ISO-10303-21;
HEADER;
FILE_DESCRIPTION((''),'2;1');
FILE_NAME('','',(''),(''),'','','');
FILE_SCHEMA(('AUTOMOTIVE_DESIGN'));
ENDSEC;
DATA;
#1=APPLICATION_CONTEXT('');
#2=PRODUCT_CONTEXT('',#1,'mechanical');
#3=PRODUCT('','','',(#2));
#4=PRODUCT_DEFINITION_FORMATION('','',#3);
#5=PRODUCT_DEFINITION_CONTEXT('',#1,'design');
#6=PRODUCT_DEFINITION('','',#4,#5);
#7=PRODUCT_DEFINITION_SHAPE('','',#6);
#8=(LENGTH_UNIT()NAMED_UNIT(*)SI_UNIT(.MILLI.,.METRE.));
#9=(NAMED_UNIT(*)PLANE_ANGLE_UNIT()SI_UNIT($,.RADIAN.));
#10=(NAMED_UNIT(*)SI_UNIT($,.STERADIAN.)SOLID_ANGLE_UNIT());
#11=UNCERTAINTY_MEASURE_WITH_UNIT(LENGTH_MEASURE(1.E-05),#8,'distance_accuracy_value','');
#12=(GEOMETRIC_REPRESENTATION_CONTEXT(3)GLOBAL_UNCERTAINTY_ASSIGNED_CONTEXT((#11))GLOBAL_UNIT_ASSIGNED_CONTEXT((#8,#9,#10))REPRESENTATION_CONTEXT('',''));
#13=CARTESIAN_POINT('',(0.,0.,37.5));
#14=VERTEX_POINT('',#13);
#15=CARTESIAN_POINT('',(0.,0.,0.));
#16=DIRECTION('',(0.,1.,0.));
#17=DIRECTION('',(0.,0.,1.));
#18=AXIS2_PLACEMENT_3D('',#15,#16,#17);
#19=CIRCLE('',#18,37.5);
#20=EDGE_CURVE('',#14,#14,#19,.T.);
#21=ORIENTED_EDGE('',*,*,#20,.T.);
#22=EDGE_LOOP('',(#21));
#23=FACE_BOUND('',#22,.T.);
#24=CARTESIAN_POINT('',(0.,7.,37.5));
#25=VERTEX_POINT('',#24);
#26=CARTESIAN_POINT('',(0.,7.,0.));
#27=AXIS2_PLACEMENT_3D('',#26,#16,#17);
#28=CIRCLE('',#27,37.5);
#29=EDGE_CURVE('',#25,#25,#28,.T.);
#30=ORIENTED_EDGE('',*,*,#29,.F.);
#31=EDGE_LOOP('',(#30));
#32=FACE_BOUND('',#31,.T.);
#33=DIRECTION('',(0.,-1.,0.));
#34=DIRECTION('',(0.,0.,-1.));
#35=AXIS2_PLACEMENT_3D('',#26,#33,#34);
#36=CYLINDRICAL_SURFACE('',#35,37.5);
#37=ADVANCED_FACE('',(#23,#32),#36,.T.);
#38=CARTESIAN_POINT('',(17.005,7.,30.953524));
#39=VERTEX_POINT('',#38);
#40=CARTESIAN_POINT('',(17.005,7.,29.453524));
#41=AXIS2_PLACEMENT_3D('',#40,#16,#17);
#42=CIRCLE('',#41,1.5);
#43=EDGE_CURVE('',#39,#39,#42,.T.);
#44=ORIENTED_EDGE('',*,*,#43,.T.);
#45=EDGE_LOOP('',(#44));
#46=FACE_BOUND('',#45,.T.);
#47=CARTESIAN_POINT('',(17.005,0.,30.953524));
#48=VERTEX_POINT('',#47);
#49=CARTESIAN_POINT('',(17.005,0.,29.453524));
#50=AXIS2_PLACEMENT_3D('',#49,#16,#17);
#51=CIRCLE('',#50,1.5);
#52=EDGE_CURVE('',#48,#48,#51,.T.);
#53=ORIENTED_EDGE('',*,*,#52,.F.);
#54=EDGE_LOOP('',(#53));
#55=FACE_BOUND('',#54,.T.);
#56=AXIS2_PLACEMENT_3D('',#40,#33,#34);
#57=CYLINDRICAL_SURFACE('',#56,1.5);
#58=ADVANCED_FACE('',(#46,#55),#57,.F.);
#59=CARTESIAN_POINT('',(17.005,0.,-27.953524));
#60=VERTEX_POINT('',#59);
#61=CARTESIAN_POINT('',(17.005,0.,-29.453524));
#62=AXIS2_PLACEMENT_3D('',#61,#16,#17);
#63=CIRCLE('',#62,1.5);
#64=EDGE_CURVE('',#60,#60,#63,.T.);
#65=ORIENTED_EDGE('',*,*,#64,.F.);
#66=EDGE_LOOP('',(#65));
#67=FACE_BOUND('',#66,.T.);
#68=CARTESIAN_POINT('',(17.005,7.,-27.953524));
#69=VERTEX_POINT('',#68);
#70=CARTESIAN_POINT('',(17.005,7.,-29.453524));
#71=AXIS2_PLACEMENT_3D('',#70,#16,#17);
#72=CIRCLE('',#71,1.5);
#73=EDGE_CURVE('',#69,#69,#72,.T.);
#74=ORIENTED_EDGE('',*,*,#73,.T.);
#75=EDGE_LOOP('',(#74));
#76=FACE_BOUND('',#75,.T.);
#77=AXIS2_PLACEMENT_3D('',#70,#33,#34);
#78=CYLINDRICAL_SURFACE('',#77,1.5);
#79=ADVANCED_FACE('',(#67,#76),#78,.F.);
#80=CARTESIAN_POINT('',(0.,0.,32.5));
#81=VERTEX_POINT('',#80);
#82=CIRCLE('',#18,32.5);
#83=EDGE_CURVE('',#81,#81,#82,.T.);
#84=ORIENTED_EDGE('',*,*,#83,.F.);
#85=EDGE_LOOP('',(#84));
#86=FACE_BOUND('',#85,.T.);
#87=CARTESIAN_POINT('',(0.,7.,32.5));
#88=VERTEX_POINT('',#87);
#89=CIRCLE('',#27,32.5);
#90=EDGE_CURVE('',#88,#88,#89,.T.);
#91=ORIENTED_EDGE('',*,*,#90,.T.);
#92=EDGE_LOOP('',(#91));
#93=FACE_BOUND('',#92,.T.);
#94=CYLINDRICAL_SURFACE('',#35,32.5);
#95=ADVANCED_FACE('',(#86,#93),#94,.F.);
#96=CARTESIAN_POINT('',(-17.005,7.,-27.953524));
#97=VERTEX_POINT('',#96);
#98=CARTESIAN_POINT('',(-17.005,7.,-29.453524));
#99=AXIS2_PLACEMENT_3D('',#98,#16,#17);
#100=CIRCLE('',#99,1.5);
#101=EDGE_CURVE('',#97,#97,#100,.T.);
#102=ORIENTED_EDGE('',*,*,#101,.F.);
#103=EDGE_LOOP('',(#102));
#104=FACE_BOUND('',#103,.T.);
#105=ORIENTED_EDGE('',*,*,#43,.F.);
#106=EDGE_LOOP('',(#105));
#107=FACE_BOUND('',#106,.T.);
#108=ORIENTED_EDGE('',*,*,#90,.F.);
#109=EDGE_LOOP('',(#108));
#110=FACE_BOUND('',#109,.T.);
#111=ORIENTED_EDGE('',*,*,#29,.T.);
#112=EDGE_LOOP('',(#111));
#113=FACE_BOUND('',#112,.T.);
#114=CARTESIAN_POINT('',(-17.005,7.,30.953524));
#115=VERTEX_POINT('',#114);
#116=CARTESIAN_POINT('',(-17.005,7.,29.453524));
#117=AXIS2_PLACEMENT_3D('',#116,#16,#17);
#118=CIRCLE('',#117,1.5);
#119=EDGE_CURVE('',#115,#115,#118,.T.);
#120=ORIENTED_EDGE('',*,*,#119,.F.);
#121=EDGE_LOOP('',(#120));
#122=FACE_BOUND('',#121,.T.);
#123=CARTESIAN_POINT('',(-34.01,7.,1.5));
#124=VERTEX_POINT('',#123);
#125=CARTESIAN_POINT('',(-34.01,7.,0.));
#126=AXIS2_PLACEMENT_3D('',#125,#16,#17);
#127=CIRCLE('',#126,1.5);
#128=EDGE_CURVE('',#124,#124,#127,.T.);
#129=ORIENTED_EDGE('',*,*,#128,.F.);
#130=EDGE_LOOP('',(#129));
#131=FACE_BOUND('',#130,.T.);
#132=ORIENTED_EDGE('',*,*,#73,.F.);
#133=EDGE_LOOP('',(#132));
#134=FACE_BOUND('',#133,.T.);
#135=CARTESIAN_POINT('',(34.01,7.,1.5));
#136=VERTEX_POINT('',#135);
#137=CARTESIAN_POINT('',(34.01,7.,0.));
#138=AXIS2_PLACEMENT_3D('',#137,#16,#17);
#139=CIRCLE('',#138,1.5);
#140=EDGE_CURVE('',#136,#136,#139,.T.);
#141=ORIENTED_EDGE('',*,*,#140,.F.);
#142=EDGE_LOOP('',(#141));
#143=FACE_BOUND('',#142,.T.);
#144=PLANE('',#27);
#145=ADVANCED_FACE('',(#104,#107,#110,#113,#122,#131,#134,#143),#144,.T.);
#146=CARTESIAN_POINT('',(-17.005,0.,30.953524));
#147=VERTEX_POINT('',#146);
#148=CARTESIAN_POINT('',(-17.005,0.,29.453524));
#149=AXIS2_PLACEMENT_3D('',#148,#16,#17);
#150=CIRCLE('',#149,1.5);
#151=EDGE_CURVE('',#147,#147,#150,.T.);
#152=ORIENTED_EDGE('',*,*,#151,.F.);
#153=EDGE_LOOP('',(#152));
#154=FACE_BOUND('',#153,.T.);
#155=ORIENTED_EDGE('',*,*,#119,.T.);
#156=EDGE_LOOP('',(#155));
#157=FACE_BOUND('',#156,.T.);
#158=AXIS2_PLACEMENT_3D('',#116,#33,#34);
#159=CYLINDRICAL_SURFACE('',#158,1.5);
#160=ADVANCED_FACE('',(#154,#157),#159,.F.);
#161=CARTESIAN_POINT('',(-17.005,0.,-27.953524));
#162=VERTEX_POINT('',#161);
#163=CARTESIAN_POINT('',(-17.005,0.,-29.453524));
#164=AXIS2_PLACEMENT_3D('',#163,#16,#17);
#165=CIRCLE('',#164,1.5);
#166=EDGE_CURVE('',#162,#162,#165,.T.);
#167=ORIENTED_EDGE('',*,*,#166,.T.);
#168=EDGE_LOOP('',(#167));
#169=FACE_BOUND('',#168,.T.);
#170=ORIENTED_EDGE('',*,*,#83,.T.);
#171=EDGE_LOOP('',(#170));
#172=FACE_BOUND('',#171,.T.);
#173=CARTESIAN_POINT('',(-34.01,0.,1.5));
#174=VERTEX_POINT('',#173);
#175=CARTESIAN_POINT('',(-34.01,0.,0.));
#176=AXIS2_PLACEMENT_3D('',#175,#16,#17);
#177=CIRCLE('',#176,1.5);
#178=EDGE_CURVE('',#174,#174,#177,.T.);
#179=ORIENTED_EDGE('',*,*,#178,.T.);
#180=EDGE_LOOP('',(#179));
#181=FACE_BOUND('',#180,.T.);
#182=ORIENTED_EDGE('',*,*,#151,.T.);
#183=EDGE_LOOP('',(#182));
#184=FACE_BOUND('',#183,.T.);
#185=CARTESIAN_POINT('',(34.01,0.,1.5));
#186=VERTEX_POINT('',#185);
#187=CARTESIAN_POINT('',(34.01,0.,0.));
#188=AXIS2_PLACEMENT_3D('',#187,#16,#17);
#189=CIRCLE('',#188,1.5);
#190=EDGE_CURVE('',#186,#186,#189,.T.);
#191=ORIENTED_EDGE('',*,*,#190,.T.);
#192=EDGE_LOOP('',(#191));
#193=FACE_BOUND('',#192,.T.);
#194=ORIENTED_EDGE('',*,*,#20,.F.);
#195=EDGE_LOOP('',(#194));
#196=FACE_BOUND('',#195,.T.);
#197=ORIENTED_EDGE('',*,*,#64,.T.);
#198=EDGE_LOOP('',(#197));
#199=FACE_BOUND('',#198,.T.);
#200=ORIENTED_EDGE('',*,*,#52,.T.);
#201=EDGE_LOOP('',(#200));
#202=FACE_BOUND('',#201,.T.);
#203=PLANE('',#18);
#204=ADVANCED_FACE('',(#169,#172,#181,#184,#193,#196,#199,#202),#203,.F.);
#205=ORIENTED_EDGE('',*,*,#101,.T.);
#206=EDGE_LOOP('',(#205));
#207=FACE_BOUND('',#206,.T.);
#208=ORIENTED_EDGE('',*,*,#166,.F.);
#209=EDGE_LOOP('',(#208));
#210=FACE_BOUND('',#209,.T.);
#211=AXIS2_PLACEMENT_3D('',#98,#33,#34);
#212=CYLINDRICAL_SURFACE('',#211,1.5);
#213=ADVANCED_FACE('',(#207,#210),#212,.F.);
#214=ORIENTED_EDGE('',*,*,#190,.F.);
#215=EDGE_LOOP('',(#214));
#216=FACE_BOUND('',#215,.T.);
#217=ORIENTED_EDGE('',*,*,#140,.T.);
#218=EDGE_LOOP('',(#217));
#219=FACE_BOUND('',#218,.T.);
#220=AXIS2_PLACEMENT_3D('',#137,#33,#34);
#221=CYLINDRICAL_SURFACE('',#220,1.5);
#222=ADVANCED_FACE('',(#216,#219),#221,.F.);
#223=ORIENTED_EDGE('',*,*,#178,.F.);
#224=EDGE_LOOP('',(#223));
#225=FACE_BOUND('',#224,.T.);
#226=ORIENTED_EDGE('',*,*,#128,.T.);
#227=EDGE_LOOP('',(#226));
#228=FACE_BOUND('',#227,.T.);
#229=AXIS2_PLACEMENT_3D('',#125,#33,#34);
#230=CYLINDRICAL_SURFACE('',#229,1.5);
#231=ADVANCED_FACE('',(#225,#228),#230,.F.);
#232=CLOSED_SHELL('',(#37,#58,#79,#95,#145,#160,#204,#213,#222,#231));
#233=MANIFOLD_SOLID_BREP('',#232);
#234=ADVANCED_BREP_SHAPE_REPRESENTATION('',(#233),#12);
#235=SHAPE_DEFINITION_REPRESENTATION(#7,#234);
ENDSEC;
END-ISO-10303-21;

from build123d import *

# Parameters (mm, degrees)
SKETCH1_R           = 37.5
SKETCH1_R_2         = 32.5
SKETCH1_R_3         = 1.5
BOSS_EXTRUDE1_DEPTH = 7


with BuildPart() as part:
    # Sketch1 → Boss-Extrude1 (new body)
    with BuildSketch(Plane(origin=(0, 0, 0), x_dir=(1, 0, 0), z_dir=(0, 1, 0))):
        with Locations(Location((0, 0, 0), (0, 0, 270))):
            Circle(SKETCH1_R)
        with Locations(Location((0, 0, 0), (0, 0, 270))):
            Circle(SKETCH1_R_2, mode=Mode.SUBTRACT)
        with Locations(Location((17.005, -29.453523983, 0), (0, 0, 270))):
            Circle(SKETCH1_R_3, mode=Mode.SUBTRACT)
        with Locations(Location((-17.005, -29.453523983, 0), (0, 0, 270))):
            Circle(SKETCH1_R_3, mode=Mode.SUBTRACT)
        with Locations(Location((-34.01, 0, 0), (0, 0, 270))):
            Circle(SKETCH1_R_3, mode=Mode.SUBTRACT)
        with Locations(Location((-17.005, 29.453523983, 0), (0, 0, 270))):
            Circle(SKETCH1_R_3, mode=Mode.SUBTRACT)
        with Locations(Location((17.005, 29.453523983, 0), (0, 0, 270))):
            Circle(SKETCH1_R_3, mode=Mode.SUBTRACT)
        with Locations(Location((34.01, 0, 0), (0, 0, 270))):
            Circle(SKETCH1_R_3, mode=Mode.SUBTRACT)
    extrude(amount=BOSS_EXTRUDE1_DEPTH)


solid = part.part
